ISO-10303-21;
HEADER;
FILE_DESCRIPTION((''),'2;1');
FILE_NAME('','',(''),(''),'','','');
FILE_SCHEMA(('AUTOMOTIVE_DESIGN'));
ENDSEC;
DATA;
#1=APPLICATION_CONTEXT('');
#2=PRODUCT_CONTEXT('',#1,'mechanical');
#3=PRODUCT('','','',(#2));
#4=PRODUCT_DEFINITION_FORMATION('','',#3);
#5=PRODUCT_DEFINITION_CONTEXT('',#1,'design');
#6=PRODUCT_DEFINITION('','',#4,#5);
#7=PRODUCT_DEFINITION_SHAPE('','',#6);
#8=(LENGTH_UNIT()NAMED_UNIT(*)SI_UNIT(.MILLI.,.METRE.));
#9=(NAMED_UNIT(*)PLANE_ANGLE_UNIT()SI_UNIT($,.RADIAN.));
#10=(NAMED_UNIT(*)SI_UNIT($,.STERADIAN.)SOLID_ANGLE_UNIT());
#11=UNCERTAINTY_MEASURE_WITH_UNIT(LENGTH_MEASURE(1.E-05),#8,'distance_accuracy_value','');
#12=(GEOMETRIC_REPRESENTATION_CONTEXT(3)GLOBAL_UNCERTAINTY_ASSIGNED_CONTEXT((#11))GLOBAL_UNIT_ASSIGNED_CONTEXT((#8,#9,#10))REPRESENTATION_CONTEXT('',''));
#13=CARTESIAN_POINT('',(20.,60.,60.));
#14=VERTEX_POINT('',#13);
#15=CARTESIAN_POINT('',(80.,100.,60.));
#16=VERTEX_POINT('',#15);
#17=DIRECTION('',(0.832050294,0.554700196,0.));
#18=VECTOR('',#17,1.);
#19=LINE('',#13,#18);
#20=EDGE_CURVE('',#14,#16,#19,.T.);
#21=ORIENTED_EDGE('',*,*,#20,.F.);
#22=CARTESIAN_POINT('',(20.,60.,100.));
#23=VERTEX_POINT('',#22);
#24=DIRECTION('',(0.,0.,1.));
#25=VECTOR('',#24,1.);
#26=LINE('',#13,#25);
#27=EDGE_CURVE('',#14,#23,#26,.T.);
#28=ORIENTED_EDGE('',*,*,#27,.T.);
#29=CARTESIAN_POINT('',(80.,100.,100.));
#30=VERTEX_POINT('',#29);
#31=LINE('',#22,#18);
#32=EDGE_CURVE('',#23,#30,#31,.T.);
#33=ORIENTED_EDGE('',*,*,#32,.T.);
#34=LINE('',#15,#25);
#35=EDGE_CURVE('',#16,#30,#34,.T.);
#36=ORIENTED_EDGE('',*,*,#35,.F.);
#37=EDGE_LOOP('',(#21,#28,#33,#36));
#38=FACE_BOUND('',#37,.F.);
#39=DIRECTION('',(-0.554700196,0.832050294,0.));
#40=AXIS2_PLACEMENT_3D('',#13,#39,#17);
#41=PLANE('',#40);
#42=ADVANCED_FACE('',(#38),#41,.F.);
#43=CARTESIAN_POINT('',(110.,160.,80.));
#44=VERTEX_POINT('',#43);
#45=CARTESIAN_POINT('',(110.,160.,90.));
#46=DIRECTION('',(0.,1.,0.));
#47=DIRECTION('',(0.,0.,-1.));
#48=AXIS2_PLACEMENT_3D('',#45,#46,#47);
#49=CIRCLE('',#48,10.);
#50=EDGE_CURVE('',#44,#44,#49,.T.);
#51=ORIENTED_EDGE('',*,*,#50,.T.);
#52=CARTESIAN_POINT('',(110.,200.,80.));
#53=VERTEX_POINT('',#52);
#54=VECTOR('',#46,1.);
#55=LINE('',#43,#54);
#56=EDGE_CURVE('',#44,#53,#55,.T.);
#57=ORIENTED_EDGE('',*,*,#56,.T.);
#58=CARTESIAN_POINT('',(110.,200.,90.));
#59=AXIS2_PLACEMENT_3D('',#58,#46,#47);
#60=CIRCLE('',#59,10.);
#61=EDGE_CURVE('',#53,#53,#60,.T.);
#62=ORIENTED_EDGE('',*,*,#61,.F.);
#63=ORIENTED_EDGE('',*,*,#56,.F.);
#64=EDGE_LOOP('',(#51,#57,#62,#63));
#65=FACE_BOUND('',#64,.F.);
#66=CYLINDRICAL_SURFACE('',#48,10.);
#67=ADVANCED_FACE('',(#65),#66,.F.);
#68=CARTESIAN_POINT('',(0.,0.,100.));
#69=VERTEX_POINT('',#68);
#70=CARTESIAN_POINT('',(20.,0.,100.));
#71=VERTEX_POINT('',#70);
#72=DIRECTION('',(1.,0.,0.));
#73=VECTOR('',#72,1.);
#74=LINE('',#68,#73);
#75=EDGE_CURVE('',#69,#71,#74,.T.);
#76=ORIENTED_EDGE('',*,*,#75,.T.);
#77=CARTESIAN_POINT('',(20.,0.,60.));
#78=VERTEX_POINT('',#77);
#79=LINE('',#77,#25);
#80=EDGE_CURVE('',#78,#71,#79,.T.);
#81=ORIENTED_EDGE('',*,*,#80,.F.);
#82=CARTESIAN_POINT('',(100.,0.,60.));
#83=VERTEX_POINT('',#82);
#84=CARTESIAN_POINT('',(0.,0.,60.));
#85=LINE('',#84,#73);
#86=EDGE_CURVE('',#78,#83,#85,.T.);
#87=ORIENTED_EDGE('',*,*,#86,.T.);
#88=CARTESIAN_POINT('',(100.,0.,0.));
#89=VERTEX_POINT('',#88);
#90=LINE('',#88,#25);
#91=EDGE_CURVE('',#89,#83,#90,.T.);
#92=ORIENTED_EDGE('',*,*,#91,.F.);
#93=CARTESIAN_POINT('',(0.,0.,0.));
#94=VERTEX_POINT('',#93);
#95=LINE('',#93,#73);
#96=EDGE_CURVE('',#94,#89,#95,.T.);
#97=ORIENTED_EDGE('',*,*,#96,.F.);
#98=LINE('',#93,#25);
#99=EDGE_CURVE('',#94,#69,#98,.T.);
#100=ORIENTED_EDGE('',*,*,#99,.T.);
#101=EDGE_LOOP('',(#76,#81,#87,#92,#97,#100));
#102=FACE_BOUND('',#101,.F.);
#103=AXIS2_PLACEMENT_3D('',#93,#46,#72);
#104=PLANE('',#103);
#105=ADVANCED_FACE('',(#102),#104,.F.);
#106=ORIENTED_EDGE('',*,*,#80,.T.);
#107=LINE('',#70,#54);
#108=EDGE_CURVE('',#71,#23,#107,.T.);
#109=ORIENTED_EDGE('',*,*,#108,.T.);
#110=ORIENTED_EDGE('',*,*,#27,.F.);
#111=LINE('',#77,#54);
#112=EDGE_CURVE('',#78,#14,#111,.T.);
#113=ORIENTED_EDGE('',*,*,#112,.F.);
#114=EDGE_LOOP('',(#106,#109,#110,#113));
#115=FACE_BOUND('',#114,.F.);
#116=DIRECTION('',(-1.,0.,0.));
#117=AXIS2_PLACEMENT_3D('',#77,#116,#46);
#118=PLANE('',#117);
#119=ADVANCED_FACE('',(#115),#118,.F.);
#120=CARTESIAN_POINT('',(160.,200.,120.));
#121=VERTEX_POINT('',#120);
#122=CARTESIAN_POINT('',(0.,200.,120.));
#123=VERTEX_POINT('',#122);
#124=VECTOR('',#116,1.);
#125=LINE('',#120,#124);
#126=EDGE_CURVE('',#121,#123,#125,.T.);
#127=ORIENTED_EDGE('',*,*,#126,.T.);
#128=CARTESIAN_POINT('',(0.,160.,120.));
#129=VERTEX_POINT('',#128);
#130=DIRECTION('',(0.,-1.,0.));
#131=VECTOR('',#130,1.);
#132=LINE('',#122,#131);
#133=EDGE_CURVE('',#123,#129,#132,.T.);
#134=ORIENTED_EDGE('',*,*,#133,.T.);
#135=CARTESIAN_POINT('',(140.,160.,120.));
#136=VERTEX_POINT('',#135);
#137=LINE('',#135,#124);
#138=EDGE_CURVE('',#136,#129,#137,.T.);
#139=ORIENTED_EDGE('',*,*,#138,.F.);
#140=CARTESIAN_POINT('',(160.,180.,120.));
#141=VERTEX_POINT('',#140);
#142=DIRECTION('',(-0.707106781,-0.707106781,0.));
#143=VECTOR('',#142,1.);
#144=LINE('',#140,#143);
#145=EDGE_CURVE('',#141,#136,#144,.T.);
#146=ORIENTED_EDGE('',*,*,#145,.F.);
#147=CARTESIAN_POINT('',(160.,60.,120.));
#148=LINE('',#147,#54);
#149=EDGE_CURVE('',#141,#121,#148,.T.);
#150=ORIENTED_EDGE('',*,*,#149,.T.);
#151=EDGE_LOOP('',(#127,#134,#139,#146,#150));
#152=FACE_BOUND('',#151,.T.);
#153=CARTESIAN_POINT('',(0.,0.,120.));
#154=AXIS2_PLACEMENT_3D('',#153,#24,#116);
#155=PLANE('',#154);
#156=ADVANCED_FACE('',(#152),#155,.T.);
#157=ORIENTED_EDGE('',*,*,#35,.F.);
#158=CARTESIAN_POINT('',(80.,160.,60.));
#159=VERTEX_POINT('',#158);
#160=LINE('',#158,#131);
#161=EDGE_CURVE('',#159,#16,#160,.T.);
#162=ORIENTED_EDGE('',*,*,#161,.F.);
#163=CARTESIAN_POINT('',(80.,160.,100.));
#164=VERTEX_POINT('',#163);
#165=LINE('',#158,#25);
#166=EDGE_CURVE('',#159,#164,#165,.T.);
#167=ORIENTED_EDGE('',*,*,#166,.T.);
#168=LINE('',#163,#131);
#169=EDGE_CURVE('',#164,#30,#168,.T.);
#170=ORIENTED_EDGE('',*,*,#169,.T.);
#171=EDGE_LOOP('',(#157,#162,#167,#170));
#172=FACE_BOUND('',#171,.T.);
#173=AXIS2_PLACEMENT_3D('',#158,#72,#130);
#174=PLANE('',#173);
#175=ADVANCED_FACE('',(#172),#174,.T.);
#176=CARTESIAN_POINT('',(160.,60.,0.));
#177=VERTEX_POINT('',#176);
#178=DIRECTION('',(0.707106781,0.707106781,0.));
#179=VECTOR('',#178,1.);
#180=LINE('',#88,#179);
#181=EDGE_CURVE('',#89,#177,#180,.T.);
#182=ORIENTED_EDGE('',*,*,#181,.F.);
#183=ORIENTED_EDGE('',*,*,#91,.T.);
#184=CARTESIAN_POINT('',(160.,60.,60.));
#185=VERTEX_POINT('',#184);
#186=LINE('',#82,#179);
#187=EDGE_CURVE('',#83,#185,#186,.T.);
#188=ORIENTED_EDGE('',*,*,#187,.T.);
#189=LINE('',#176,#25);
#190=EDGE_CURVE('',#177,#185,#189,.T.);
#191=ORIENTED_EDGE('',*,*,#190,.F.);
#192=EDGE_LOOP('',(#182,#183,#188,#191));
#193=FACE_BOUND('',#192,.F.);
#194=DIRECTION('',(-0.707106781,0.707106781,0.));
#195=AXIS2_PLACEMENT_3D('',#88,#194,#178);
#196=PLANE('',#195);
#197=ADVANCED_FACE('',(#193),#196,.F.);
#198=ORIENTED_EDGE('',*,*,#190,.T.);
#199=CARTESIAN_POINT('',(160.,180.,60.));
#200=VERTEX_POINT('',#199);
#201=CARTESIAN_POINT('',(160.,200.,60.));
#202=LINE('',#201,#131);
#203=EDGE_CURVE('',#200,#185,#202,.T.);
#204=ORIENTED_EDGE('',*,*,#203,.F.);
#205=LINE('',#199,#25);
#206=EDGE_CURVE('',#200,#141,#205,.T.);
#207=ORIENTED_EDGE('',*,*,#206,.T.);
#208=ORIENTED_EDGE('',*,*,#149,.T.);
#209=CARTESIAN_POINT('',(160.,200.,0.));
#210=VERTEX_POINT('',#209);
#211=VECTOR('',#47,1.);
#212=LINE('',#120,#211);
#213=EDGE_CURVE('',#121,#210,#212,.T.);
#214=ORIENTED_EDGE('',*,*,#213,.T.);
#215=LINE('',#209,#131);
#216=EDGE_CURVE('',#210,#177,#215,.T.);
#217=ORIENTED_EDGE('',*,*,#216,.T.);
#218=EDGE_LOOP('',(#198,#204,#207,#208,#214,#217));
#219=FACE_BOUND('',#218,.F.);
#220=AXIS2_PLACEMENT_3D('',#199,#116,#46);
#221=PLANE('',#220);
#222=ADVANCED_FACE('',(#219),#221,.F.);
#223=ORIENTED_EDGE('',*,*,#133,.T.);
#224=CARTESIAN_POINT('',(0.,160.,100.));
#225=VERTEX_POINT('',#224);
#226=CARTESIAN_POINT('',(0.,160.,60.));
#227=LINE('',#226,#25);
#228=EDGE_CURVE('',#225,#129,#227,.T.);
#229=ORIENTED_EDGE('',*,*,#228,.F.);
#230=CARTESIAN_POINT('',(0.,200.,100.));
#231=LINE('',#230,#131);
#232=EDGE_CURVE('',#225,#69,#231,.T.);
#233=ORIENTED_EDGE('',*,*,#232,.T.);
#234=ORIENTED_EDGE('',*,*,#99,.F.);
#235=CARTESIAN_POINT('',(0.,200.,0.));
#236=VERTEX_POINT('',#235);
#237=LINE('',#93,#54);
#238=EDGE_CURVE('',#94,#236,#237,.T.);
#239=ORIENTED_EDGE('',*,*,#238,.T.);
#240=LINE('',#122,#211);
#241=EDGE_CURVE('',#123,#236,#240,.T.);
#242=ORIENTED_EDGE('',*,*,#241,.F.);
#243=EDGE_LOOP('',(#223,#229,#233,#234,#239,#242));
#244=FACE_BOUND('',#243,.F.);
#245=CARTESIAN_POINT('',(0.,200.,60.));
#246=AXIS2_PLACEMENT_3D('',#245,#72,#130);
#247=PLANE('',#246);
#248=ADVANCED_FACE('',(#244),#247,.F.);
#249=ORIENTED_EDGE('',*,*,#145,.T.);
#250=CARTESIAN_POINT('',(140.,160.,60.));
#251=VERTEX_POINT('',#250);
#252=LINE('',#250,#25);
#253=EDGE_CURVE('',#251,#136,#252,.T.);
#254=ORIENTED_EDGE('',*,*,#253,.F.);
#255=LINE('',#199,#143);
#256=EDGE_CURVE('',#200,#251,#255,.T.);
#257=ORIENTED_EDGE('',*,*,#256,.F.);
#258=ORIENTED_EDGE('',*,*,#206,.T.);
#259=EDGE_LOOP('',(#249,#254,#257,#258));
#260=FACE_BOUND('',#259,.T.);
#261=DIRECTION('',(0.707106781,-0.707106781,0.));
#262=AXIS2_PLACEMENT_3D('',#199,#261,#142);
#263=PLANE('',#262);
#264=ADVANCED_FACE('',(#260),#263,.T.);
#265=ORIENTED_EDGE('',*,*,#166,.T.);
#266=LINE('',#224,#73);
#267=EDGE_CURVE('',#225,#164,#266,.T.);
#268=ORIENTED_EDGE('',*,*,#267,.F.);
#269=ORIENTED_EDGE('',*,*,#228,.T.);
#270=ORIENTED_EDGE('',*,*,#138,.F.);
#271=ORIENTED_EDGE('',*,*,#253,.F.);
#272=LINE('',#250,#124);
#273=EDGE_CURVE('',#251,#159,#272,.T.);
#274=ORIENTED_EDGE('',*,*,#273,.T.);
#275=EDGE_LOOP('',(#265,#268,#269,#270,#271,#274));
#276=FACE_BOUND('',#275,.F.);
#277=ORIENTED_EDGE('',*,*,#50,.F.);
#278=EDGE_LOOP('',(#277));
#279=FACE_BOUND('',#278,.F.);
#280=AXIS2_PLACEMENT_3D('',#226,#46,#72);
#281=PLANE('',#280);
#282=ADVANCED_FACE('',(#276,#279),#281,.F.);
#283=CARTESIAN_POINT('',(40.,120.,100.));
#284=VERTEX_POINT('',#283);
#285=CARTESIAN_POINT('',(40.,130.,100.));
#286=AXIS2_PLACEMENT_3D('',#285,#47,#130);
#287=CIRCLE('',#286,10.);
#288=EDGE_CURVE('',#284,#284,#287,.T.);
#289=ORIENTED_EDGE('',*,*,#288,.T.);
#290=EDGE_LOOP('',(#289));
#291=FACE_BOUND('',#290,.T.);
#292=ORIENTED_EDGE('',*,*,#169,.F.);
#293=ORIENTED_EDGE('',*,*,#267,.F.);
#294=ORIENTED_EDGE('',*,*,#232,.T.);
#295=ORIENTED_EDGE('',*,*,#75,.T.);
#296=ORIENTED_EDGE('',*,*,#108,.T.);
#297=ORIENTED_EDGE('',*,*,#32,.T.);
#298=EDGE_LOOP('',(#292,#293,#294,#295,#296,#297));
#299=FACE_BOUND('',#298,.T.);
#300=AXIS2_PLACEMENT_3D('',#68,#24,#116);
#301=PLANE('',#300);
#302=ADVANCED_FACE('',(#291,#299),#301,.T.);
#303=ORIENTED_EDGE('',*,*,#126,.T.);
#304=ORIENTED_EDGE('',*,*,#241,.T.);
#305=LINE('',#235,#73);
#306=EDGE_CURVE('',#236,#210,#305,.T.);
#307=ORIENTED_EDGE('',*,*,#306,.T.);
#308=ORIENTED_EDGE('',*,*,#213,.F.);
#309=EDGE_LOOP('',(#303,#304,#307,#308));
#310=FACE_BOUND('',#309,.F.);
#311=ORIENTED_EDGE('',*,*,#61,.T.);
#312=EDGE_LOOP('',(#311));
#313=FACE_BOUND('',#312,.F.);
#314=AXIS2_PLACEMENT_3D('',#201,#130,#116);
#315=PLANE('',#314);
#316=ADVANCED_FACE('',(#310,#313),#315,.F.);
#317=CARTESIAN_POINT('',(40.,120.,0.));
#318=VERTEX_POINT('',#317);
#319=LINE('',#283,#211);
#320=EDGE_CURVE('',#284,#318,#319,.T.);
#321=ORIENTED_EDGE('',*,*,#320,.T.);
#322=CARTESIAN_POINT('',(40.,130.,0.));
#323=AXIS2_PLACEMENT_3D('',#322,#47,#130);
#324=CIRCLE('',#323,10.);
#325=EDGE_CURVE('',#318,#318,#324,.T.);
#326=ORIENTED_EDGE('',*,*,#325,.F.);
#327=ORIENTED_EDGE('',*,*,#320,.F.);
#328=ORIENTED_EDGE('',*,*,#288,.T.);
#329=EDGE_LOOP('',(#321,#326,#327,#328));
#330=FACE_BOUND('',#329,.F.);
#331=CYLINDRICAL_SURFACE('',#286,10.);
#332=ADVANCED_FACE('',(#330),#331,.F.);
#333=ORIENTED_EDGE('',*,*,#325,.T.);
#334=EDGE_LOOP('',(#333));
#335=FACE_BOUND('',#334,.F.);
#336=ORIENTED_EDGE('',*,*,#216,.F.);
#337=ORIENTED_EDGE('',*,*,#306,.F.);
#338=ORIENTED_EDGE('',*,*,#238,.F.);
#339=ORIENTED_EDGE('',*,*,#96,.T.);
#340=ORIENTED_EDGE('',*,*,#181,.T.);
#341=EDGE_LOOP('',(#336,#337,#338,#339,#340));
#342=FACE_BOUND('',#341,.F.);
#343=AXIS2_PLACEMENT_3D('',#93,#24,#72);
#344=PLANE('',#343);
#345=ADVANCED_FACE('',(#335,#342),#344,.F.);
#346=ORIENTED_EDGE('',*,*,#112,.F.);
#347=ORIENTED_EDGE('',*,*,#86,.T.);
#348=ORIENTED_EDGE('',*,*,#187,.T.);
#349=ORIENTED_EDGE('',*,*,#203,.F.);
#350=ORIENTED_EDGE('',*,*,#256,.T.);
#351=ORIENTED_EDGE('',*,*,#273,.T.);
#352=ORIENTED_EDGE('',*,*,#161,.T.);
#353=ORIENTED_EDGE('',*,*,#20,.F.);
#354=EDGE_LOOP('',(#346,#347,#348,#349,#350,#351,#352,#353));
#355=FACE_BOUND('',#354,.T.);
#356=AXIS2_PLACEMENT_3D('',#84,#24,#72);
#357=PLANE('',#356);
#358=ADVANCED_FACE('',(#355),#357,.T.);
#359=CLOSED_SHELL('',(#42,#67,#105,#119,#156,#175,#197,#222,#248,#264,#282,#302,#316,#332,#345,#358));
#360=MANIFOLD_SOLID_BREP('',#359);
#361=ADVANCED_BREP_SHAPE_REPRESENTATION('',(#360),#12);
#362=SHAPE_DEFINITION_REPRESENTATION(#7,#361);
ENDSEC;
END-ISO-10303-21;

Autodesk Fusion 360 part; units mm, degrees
sketch "Sketch1" plane through (0, 0, 0) normal (0, 0, 1) x (1, 0, 0)
  line L0 (0, 0) -> (0, 200)
  line L1 (0, 200) -> (160, 200)
  line L2 (160, 200) -> (160, 60)
  line L3 (0, 0) -> (100, 0)
  line L4 (100, 0) -> (160, 60)
extrude "Extrude1" add sketch "Sketch1" along normal blind 60
sketch "Sketch2" plane through (0, 0, 60) normal (0, 0, 1) x (-1, 0, 0)
  line L0 (0, 0) -> (-100, 0)
  line L1 (-100, 0) -> (-160, -60)
  line L2 (-160, -60) -> (-160, -200)
  line L3 (-160, -200) -> (0, -200)
  line L4 (0, -200) -> (0, 0)
  line L5 (0, 0) -> (0, -160)
  line L6 (0, -160) -> (-80, -160)
  line L7 (-80, -160) -> (-80, -100)
  line L8 (0, 0) -> (-20, 0)
  line L9 (-20, 0) -> (-20, -60)
  line L10 (-20, -60) -> (-80, -100)
  line L11 (0, -160) -> (0, -200)
  line L12 (-160, -200) -> (-160, -180)
  line L13 (-160, -180) -> (-140, -160)
  line L14 (-140, -160) -> (-80, -160)
extrude "Extrude2" add sketch "Sketch2" along normal blind 40 contours L0 L4 L5 L6 L7 L8 L9 L10
extrude "Extrude3" add sketch "Sketch2" along normal blind 60 contours L2 L3 L4 L6 L11 L12 L13 L14
sketch "Sketch3" plane through (0, 160, 0) normal (0, -1, 0) x (1, 0, 0)
  line L0 (0, 100) -> (80, 100)
  line L1 (80, 100) -> (80, 60)
  line L2 (80, 60) -> (140, 60)
  line L3 (140, 60) -> (140, 120)
  line L4 (140, 120) -> (0, 120)
  line L5 (0, 120) -> (0, 100)
  circle A0 centre (110, 90) radius 10
  line L6 (110, 90) -> (110, 120)
  dimension "d17" = 20
hole "Hole1" at (110, 160, 90) direction (0, 1, 0) diameter 20 depth 40 tip angle 118
sketch "Sketch4" plane through (0, 0, 100) normal (0, 0, 1) x (-1, 0, 0)
  line L0 (0, 0) -> (-20, 0)
  line L1 (-20, 0) -> (-20, -60)
  line L2 (-20, -60) -> (-80, -100)
  line L3 (-80, -100) -> (-80, -160)
  line L4 (-80, -160) -> (0, -160)
  line L5 (0, -160) -> (0, 0)
hole "Hole2" at (40, 130, 100) direction (0, 0, -1) diameter 20 depth 1000 tip angle 118
